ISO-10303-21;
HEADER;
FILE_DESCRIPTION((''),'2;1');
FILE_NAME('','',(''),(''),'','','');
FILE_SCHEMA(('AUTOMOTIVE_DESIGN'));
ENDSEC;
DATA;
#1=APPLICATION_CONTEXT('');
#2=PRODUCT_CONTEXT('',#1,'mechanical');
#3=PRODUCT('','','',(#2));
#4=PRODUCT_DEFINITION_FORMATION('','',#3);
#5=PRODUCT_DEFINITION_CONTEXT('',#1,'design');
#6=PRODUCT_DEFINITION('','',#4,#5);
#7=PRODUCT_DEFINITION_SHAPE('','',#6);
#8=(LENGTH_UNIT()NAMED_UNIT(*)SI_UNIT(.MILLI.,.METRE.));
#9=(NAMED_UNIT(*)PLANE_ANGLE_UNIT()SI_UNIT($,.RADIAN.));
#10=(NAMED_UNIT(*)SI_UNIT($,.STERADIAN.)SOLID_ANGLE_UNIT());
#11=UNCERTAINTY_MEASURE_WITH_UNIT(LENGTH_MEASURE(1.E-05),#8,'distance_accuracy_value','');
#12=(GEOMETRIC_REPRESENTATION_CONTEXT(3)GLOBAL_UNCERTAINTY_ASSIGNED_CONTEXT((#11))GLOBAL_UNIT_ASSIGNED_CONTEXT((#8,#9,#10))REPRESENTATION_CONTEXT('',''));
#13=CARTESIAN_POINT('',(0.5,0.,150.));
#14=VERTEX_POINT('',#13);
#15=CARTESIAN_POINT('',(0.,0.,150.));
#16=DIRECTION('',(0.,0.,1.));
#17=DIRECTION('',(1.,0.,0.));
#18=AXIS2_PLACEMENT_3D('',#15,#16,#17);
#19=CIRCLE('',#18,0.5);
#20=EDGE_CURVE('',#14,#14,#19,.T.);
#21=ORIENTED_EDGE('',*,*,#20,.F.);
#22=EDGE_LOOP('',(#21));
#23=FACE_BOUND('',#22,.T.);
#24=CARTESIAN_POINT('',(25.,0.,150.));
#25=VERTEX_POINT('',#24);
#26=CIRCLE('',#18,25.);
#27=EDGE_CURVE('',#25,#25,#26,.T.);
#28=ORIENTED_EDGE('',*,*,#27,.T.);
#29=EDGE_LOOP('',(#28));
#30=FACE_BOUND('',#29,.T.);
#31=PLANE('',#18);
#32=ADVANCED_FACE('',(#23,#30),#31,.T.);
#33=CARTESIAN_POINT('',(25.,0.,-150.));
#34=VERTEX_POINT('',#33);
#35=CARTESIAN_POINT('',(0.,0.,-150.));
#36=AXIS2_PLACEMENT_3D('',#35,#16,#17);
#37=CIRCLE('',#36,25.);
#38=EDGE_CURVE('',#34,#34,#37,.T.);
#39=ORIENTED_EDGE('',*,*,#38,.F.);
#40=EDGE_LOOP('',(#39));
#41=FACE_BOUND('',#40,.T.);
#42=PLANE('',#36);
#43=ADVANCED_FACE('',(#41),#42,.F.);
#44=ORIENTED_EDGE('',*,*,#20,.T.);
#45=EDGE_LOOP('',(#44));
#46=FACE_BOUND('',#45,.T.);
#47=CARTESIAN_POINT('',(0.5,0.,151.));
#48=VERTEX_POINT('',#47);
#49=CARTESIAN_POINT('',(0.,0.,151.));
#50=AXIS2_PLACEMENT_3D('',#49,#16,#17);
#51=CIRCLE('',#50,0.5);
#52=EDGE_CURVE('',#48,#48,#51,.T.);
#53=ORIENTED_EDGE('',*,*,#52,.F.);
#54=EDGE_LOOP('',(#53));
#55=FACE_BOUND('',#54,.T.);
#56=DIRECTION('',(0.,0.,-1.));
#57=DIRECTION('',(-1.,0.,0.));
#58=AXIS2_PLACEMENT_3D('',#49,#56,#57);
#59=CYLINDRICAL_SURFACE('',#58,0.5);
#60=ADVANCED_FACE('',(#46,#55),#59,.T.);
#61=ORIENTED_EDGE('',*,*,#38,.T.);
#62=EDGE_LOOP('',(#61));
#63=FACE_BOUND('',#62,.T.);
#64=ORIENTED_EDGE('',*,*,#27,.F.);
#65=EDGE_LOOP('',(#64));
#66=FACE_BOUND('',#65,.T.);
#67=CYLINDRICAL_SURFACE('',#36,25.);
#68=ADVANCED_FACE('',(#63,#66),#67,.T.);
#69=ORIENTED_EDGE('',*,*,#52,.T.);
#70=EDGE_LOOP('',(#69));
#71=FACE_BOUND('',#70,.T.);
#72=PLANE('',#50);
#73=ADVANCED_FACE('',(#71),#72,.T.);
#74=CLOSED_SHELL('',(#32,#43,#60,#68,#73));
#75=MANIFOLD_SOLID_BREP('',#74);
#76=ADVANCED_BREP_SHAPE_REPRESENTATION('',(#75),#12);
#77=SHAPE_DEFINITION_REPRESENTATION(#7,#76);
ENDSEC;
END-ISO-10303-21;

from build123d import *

# Parameters (mm, degrees)
BOSS_EXTRUDE1_DEPTH      = 150
BOSS_EXTRUDE1_DEPTH_BACK = 150
SKETCH1_R                = 25
SKETCH2_R                = 0.5
BOSS_EXTRUDE2_DEPTH      = 1


with BuildPart() as part:
    # Sketch1 → Boss-Extrude1 (new, two sides: drawn at the far end of the back side and taken through both)
    with BuildSketch(Plane.XY.offset(-BOSS_EXTRUDE1_DEPTH_BACK)):
        Circle(SKETCH1_R)
    extrude(amount=BOSS_EXTRUDE1_DEPTH + BOSS_EXTRUDE1_DEPTH_BACK)

    # Sketch2 → Boss-Extrude2 (add)
    with BuildSketch(Plane.XY.offset(150)):
        Circle(SKETCH2_R)
    extrude(amount=BOSS_EXTRUDE2_DEPTH)


solid = part.part
